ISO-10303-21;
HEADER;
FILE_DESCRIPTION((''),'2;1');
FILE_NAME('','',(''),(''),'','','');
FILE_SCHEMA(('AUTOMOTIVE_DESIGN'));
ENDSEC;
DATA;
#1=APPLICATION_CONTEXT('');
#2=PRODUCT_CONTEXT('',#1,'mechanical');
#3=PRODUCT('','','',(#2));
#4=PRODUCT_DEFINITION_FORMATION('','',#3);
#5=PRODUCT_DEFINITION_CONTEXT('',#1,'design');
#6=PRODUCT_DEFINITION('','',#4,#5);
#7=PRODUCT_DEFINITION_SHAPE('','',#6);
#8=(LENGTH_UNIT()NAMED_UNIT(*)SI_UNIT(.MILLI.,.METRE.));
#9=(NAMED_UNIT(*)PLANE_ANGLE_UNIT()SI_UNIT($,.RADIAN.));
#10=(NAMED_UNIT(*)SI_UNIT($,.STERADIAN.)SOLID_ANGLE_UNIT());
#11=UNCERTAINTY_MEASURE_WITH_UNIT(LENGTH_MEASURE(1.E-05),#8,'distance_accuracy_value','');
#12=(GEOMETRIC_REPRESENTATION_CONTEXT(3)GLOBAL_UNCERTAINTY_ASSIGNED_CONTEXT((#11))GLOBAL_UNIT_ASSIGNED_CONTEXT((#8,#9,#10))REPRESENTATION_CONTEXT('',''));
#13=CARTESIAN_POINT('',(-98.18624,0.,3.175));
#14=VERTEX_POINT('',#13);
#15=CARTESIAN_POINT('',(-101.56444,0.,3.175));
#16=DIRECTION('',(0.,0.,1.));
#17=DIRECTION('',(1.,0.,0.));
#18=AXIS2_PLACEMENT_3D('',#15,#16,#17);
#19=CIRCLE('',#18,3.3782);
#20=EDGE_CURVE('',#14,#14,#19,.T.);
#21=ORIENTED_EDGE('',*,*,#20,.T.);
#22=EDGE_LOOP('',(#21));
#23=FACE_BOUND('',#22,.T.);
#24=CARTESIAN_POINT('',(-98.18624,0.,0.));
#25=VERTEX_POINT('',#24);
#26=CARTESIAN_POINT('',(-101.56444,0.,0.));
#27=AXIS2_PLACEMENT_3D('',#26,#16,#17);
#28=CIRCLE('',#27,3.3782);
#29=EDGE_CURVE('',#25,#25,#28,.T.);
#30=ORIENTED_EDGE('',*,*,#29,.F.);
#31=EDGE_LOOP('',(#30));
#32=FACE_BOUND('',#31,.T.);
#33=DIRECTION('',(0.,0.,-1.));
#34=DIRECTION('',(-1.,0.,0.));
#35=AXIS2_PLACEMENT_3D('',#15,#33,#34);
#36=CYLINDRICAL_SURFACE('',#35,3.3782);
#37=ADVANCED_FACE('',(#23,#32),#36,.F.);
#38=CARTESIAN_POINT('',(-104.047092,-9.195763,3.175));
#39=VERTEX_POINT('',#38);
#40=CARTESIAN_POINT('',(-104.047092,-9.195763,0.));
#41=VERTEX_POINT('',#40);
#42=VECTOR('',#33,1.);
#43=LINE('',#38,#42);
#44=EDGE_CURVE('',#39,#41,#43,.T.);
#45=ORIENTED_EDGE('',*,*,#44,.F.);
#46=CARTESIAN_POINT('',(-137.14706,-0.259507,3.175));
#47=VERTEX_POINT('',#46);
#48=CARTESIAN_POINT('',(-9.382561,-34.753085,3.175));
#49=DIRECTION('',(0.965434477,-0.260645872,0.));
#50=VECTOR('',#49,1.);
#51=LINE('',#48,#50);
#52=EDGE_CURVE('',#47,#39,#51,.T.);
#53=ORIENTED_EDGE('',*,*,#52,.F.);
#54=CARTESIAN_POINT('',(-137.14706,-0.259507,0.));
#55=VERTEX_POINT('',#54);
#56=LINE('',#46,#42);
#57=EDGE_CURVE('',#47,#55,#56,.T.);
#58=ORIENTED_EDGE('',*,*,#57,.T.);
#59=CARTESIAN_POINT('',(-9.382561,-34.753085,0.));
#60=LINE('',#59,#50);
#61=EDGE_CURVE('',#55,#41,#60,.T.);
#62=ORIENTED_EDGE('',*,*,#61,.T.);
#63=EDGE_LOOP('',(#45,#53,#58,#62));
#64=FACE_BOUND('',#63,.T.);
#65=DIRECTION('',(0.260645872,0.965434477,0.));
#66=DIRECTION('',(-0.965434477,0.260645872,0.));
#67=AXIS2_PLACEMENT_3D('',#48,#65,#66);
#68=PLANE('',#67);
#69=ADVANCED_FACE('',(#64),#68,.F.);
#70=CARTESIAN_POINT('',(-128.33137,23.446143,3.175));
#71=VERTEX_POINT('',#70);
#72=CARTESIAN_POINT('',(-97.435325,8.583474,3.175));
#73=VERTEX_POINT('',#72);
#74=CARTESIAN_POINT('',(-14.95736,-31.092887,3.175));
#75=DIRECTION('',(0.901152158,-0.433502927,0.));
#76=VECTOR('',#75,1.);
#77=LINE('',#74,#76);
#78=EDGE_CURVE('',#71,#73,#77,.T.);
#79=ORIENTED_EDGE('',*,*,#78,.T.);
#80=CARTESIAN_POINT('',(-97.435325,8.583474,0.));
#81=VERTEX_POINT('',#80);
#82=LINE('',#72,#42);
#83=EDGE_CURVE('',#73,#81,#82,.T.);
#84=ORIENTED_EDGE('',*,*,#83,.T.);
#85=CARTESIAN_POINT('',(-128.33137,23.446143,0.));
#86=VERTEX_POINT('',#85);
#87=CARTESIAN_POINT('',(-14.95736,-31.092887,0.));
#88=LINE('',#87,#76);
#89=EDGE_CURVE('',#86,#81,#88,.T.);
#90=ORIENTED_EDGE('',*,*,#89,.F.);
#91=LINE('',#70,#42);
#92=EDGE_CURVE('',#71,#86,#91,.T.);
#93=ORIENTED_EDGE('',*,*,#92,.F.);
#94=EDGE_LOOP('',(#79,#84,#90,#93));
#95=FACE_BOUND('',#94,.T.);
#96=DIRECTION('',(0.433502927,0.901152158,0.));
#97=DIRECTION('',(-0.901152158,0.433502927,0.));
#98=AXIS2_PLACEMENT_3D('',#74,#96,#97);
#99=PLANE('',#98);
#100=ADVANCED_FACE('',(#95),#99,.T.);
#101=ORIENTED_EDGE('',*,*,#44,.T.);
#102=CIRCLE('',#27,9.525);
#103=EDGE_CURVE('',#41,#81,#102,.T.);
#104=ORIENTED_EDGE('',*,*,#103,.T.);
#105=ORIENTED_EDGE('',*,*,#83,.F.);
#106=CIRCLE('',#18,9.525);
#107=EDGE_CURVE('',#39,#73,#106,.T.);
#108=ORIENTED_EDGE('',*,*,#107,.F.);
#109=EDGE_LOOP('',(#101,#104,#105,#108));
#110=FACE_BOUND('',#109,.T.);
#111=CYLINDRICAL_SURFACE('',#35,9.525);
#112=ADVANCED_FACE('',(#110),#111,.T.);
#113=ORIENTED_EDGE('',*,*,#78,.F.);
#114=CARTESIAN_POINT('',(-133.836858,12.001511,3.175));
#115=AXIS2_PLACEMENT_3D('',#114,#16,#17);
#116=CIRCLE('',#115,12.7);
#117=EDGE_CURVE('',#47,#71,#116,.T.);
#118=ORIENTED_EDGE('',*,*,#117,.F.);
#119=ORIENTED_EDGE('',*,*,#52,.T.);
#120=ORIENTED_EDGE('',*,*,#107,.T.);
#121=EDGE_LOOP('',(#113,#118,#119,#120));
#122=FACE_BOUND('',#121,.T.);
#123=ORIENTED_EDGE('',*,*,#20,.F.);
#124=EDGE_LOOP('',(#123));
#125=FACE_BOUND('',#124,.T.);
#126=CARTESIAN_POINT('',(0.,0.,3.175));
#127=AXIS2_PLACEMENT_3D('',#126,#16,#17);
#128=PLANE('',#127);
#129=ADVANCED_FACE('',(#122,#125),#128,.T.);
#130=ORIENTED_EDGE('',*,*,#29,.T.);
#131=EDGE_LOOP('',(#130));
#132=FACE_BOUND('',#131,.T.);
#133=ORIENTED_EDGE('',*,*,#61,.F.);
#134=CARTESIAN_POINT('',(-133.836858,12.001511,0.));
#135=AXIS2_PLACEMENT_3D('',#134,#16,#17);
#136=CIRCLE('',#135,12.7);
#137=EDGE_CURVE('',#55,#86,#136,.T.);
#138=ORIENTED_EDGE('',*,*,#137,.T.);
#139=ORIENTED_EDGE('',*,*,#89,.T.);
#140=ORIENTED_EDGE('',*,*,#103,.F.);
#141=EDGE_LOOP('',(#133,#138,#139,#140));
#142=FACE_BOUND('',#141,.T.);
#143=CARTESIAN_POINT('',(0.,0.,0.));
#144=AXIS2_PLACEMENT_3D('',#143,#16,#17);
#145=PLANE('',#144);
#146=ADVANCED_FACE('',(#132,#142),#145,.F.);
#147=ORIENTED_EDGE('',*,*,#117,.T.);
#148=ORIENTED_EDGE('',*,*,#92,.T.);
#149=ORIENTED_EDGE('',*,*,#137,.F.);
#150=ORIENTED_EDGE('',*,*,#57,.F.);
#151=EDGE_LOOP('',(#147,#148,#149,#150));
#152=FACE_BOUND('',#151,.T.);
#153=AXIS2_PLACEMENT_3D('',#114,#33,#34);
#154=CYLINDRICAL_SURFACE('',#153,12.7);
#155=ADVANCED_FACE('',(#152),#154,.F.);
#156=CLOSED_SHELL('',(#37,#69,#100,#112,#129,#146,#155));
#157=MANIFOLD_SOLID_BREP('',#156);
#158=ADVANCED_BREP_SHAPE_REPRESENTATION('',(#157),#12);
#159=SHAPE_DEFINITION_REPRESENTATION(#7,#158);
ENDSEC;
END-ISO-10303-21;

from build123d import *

# Parameters (mm, degrees)
SKETCH1_R           = 3.3782
BOSS_EXTRUDE1_DEPTH = 3.175


with BuildPart() as part:
    # Sketch1 → Boss-Extrude1 (new body)
    with BuildSketch(Plane.XY):
        with BuildLine():
            ThreePointArc((-104.047091932, -9.195763393), (-92.636784441, -3.320028798), (-97.435324623, 8.583474309))
            Line((-97.435324623, 8.583474309), (-128.331370442, 23.446143348))
            ThreePointArc((-128.331370442, 23.446143348), (-121.933316865, 7.574805873), (-137.147060186, -0.259506921))
            Line((-137.147060186, -0.259506921), (-104.047091932, -9.195763393))
        make_face()
        with Locations((-101.56444, 0)):
            Circle(SKETCH1_R, mode=Mode.SUBTRACT)
    extrude(amount=BOSS_EXTRUDE1_DEPTH)


solid = part.part
